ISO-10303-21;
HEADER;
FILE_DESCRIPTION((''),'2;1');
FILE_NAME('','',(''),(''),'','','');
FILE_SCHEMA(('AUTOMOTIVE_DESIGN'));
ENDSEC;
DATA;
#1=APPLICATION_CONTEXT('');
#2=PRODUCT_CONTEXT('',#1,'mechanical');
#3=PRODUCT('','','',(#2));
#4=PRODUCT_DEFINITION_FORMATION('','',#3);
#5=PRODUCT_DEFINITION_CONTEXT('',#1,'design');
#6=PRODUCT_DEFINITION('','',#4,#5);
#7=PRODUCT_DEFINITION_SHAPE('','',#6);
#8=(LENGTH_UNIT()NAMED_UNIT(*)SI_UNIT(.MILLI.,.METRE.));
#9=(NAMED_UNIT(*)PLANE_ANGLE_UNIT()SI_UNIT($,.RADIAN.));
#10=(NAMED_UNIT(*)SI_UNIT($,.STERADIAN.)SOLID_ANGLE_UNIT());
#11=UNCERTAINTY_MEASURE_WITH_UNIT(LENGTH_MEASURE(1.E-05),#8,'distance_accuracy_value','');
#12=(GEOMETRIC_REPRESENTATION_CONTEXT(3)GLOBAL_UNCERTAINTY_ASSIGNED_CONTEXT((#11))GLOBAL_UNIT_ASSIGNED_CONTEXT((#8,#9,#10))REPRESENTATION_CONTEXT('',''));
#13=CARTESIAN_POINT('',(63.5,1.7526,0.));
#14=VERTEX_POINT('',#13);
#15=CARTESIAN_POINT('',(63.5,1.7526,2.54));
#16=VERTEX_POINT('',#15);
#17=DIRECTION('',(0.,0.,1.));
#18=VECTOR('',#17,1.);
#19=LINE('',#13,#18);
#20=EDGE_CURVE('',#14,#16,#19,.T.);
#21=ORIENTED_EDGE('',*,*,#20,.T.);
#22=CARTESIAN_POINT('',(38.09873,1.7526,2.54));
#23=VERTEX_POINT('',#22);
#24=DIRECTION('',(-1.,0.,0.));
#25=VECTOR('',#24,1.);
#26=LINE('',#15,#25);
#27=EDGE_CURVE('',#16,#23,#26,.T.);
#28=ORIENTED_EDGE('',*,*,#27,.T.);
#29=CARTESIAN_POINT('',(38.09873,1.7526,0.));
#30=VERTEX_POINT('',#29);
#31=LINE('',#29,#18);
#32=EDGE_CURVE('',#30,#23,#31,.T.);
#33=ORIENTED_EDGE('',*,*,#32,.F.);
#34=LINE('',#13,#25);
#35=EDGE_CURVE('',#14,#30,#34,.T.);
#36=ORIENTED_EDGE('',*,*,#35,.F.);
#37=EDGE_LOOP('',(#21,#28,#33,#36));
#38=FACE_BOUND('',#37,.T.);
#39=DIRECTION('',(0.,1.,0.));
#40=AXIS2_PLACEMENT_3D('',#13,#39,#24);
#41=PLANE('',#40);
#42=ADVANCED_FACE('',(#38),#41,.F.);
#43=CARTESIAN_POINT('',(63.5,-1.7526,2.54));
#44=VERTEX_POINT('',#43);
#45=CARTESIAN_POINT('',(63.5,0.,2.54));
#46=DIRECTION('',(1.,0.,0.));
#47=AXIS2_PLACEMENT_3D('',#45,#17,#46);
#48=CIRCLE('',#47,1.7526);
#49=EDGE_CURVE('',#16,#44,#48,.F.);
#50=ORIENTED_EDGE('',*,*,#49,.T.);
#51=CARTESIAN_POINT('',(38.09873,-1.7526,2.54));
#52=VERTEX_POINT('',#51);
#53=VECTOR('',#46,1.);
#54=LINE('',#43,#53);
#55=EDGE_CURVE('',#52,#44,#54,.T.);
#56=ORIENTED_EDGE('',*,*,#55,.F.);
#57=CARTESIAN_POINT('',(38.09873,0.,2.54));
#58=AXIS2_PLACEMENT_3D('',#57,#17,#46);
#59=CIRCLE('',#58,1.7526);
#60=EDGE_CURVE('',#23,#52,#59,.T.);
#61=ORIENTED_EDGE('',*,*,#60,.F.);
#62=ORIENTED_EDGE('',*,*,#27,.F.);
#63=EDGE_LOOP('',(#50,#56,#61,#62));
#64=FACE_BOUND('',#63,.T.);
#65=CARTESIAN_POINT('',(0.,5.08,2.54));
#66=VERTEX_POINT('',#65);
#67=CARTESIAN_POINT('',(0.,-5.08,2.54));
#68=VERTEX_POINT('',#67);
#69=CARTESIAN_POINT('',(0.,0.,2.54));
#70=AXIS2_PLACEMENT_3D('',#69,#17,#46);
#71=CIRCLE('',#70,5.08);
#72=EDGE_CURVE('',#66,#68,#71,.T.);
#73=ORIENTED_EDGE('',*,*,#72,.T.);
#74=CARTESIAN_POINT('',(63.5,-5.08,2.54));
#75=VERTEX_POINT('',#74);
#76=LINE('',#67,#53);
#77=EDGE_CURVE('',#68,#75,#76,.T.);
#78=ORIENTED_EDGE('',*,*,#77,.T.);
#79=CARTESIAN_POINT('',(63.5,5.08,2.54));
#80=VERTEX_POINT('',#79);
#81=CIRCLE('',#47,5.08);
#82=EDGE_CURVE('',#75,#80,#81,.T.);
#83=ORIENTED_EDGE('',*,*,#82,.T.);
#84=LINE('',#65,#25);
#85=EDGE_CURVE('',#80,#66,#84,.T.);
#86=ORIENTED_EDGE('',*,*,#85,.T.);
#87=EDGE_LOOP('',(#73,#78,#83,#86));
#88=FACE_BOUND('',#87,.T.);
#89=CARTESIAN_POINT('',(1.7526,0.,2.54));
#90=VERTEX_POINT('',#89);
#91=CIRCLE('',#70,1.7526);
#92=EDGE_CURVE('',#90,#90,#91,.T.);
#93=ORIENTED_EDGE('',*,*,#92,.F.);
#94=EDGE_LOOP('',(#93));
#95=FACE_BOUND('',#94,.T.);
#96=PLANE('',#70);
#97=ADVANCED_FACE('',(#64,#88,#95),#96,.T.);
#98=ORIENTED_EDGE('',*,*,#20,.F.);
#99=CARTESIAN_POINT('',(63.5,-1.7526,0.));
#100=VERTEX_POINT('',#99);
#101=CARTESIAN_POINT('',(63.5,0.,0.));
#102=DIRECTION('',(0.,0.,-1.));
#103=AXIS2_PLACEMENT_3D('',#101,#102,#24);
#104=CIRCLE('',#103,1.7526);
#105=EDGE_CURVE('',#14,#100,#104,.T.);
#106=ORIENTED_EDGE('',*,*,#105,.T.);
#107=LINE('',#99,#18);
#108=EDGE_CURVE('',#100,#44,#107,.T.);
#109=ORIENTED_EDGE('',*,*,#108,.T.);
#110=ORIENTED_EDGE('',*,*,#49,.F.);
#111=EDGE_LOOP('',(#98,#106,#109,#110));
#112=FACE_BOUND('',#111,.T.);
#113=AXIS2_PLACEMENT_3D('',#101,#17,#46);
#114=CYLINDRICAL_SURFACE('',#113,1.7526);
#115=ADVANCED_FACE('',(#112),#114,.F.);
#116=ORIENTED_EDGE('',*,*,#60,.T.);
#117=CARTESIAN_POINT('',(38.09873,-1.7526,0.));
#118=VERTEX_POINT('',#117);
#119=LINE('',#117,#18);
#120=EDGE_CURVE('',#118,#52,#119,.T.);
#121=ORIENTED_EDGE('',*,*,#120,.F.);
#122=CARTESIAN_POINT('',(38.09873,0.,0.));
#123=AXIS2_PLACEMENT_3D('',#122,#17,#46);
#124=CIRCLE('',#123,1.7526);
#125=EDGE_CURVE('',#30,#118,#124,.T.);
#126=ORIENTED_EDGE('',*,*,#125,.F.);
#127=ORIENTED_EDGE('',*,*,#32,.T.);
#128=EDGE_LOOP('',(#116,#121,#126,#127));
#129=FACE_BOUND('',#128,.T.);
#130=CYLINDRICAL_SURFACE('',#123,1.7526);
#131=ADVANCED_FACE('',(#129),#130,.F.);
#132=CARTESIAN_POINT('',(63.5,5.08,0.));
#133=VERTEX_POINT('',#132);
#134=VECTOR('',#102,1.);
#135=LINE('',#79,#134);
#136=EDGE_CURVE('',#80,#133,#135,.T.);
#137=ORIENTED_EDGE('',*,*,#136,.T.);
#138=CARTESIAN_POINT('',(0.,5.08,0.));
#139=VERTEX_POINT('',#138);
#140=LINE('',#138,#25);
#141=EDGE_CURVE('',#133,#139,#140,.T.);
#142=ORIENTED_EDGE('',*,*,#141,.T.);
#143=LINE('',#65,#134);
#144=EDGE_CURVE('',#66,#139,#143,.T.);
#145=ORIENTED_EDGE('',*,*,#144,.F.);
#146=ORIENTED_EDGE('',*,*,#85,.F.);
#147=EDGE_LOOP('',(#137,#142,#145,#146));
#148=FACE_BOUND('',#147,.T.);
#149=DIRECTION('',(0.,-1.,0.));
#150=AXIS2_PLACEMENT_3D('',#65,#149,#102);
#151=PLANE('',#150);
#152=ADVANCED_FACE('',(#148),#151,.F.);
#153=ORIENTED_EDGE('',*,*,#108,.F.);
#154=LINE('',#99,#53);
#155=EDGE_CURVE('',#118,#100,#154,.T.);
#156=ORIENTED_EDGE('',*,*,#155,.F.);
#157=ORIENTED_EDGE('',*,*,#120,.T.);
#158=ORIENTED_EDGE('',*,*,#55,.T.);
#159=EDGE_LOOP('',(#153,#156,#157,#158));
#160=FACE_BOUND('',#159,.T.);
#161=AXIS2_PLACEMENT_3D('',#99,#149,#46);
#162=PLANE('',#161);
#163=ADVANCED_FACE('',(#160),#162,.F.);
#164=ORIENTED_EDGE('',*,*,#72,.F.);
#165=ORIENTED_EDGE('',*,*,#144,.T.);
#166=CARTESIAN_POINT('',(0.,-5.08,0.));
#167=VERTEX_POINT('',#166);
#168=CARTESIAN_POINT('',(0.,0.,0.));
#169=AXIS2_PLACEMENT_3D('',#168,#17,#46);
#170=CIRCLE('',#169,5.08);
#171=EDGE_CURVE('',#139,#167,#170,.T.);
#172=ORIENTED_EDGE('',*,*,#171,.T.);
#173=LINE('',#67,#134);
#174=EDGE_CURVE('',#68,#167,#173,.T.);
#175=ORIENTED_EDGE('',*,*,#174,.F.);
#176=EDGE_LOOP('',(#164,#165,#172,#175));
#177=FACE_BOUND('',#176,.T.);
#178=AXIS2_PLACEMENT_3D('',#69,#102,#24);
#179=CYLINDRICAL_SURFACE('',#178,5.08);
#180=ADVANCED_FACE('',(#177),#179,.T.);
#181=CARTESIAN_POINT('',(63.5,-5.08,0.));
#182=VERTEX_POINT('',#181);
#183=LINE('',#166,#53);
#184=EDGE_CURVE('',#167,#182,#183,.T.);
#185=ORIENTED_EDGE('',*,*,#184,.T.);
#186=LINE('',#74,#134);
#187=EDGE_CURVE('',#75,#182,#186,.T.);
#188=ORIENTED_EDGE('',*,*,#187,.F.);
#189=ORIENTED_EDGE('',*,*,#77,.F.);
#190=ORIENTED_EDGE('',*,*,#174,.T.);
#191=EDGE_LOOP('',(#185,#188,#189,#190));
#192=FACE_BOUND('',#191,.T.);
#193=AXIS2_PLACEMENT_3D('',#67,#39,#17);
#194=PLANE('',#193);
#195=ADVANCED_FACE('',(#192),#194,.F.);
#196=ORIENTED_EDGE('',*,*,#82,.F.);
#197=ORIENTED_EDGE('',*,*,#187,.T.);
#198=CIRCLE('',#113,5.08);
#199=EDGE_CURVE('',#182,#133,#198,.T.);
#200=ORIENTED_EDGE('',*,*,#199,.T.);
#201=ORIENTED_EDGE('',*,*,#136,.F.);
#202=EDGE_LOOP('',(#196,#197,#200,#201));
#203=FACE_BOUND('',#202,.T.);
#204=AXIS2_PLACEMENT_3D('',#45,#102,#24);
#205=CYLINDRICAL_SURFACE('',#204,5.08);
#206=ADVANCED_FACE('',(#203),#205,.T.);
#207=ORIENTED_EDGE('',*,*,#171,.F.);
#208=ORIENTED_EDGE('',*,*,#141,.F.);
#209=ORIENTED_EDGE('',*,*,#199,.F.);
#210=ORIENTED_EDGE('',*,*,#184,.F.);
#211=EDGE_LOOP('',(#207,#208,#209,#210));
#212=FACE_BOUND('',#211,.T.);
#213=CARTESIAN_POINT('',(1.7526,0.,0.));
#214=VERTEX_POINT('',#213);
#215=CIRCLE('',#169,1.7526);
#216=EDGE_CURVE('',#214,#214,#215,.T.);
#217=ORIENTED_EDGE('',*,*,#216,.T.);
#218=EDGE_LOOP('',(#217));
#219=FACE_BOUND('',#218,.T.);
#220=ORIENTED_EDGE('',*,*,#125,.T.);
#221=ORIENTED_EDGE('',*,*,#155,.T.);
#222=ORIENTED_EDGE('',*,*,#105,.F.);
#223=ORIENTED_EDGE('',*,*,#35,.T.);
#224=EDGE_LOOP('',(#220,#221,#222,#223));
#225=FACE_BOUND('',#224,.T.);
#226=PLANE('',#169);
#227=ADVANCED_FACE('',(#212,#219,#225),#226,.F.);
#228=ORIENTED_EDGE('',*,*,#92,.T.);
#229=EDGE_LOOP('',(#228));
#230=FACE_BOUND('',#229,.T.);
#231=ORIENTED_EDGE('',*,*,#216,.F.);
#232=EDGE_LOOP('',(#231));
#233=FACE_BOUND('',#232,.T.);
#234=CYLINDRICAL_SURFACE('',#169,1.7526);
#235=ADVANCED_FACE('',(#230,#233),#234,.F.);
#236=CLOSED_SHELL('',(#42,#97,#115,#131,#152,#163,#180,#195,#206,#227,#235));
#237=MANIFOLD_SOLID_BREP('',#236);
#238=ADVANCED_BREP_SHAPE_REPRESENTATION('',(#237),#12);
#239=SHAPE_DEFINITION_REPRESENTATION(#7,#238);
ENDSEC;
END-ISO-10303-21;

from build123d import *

# Parameters (mm, degrees)
BOSS_EXTRUDE1_DEPTH     = 2.54
CUT_EXTRUDE1_START      = -3.54
SKETCH2_R               = 1.7526
CUT_EXTRUDE1_DEPTH      = 4.54
CUT_EXTRUDE2_DEPTH      = 1
CUT_EXTRUDE2_DEPTH_BACK = 3.54


with BuildPart() as part:
    # Sketch1 → Boss-Extrude1 (new body)
    with BuildSketch(Plane.XY):
        with BuildLine():
            Line((0, 5.08), (63.5, 5.08))
            ThreePointArc((63.5, 5.08), (68.58, 0), (63.5, -5.08))
            Line((63.5, -5.08), (0, -5.08))
            ThreePointArc((0, -5.08), (-5.08, 0), (0, 5.08))
        make_face()
    extrude(amount=BOSS_EXTRUDE1_DEPTH)

    # Sketch2 → Cut-Extrude1 (cut)
    with BuildSketch(Plane.XY.offset(2.54).offset(CUT_EXTRUDE1_START)):
        Circle(SKETCH2_R)
    cut_extrude1 = extrude(amount=CUT_EXTRUDE1_DEPTH, mode=Mode.SUBTRACT)

    # Mirror1: Cut-Extrude1 across plane
    add(cut_extrude1.mirror(Plane(origin=(31.75, 0, 0), x_dir=(0, 0, 1), z_dir=(1, 0, 0))), mode=Mode.SUBTRACT)

    # Sketch4 → Cut-Extrude2 (cut, two sides)
    with BuildSketch(Plane.XY.offset(2.54)) as cut_extrude2_sk:
        with BuildLine():
            Line((63.5, -1.7526), (38.09873006, -1.7526))
            ThreePointArc((38.09873006, -1.7526), (36.34613006, 0), (38.09873006, 1.7526))
            Line((38.09873006, 1.7526), (63.5, 1.7526))
            ThreePointArc((63.5, 1.7526), (65.2526, 0), (63.5, -1.7526))
        make_face()
    extrude(amount=CUT_EXTRUDE2_DEPTH, mode=Mode.SUBTRACT)
    extrude(cut_extrude2_sk.sketch, amount=-CUT_EXTRUDE2_DEPTH_BACK, mode=Mode.SUBTRACT)


solid = part.part
